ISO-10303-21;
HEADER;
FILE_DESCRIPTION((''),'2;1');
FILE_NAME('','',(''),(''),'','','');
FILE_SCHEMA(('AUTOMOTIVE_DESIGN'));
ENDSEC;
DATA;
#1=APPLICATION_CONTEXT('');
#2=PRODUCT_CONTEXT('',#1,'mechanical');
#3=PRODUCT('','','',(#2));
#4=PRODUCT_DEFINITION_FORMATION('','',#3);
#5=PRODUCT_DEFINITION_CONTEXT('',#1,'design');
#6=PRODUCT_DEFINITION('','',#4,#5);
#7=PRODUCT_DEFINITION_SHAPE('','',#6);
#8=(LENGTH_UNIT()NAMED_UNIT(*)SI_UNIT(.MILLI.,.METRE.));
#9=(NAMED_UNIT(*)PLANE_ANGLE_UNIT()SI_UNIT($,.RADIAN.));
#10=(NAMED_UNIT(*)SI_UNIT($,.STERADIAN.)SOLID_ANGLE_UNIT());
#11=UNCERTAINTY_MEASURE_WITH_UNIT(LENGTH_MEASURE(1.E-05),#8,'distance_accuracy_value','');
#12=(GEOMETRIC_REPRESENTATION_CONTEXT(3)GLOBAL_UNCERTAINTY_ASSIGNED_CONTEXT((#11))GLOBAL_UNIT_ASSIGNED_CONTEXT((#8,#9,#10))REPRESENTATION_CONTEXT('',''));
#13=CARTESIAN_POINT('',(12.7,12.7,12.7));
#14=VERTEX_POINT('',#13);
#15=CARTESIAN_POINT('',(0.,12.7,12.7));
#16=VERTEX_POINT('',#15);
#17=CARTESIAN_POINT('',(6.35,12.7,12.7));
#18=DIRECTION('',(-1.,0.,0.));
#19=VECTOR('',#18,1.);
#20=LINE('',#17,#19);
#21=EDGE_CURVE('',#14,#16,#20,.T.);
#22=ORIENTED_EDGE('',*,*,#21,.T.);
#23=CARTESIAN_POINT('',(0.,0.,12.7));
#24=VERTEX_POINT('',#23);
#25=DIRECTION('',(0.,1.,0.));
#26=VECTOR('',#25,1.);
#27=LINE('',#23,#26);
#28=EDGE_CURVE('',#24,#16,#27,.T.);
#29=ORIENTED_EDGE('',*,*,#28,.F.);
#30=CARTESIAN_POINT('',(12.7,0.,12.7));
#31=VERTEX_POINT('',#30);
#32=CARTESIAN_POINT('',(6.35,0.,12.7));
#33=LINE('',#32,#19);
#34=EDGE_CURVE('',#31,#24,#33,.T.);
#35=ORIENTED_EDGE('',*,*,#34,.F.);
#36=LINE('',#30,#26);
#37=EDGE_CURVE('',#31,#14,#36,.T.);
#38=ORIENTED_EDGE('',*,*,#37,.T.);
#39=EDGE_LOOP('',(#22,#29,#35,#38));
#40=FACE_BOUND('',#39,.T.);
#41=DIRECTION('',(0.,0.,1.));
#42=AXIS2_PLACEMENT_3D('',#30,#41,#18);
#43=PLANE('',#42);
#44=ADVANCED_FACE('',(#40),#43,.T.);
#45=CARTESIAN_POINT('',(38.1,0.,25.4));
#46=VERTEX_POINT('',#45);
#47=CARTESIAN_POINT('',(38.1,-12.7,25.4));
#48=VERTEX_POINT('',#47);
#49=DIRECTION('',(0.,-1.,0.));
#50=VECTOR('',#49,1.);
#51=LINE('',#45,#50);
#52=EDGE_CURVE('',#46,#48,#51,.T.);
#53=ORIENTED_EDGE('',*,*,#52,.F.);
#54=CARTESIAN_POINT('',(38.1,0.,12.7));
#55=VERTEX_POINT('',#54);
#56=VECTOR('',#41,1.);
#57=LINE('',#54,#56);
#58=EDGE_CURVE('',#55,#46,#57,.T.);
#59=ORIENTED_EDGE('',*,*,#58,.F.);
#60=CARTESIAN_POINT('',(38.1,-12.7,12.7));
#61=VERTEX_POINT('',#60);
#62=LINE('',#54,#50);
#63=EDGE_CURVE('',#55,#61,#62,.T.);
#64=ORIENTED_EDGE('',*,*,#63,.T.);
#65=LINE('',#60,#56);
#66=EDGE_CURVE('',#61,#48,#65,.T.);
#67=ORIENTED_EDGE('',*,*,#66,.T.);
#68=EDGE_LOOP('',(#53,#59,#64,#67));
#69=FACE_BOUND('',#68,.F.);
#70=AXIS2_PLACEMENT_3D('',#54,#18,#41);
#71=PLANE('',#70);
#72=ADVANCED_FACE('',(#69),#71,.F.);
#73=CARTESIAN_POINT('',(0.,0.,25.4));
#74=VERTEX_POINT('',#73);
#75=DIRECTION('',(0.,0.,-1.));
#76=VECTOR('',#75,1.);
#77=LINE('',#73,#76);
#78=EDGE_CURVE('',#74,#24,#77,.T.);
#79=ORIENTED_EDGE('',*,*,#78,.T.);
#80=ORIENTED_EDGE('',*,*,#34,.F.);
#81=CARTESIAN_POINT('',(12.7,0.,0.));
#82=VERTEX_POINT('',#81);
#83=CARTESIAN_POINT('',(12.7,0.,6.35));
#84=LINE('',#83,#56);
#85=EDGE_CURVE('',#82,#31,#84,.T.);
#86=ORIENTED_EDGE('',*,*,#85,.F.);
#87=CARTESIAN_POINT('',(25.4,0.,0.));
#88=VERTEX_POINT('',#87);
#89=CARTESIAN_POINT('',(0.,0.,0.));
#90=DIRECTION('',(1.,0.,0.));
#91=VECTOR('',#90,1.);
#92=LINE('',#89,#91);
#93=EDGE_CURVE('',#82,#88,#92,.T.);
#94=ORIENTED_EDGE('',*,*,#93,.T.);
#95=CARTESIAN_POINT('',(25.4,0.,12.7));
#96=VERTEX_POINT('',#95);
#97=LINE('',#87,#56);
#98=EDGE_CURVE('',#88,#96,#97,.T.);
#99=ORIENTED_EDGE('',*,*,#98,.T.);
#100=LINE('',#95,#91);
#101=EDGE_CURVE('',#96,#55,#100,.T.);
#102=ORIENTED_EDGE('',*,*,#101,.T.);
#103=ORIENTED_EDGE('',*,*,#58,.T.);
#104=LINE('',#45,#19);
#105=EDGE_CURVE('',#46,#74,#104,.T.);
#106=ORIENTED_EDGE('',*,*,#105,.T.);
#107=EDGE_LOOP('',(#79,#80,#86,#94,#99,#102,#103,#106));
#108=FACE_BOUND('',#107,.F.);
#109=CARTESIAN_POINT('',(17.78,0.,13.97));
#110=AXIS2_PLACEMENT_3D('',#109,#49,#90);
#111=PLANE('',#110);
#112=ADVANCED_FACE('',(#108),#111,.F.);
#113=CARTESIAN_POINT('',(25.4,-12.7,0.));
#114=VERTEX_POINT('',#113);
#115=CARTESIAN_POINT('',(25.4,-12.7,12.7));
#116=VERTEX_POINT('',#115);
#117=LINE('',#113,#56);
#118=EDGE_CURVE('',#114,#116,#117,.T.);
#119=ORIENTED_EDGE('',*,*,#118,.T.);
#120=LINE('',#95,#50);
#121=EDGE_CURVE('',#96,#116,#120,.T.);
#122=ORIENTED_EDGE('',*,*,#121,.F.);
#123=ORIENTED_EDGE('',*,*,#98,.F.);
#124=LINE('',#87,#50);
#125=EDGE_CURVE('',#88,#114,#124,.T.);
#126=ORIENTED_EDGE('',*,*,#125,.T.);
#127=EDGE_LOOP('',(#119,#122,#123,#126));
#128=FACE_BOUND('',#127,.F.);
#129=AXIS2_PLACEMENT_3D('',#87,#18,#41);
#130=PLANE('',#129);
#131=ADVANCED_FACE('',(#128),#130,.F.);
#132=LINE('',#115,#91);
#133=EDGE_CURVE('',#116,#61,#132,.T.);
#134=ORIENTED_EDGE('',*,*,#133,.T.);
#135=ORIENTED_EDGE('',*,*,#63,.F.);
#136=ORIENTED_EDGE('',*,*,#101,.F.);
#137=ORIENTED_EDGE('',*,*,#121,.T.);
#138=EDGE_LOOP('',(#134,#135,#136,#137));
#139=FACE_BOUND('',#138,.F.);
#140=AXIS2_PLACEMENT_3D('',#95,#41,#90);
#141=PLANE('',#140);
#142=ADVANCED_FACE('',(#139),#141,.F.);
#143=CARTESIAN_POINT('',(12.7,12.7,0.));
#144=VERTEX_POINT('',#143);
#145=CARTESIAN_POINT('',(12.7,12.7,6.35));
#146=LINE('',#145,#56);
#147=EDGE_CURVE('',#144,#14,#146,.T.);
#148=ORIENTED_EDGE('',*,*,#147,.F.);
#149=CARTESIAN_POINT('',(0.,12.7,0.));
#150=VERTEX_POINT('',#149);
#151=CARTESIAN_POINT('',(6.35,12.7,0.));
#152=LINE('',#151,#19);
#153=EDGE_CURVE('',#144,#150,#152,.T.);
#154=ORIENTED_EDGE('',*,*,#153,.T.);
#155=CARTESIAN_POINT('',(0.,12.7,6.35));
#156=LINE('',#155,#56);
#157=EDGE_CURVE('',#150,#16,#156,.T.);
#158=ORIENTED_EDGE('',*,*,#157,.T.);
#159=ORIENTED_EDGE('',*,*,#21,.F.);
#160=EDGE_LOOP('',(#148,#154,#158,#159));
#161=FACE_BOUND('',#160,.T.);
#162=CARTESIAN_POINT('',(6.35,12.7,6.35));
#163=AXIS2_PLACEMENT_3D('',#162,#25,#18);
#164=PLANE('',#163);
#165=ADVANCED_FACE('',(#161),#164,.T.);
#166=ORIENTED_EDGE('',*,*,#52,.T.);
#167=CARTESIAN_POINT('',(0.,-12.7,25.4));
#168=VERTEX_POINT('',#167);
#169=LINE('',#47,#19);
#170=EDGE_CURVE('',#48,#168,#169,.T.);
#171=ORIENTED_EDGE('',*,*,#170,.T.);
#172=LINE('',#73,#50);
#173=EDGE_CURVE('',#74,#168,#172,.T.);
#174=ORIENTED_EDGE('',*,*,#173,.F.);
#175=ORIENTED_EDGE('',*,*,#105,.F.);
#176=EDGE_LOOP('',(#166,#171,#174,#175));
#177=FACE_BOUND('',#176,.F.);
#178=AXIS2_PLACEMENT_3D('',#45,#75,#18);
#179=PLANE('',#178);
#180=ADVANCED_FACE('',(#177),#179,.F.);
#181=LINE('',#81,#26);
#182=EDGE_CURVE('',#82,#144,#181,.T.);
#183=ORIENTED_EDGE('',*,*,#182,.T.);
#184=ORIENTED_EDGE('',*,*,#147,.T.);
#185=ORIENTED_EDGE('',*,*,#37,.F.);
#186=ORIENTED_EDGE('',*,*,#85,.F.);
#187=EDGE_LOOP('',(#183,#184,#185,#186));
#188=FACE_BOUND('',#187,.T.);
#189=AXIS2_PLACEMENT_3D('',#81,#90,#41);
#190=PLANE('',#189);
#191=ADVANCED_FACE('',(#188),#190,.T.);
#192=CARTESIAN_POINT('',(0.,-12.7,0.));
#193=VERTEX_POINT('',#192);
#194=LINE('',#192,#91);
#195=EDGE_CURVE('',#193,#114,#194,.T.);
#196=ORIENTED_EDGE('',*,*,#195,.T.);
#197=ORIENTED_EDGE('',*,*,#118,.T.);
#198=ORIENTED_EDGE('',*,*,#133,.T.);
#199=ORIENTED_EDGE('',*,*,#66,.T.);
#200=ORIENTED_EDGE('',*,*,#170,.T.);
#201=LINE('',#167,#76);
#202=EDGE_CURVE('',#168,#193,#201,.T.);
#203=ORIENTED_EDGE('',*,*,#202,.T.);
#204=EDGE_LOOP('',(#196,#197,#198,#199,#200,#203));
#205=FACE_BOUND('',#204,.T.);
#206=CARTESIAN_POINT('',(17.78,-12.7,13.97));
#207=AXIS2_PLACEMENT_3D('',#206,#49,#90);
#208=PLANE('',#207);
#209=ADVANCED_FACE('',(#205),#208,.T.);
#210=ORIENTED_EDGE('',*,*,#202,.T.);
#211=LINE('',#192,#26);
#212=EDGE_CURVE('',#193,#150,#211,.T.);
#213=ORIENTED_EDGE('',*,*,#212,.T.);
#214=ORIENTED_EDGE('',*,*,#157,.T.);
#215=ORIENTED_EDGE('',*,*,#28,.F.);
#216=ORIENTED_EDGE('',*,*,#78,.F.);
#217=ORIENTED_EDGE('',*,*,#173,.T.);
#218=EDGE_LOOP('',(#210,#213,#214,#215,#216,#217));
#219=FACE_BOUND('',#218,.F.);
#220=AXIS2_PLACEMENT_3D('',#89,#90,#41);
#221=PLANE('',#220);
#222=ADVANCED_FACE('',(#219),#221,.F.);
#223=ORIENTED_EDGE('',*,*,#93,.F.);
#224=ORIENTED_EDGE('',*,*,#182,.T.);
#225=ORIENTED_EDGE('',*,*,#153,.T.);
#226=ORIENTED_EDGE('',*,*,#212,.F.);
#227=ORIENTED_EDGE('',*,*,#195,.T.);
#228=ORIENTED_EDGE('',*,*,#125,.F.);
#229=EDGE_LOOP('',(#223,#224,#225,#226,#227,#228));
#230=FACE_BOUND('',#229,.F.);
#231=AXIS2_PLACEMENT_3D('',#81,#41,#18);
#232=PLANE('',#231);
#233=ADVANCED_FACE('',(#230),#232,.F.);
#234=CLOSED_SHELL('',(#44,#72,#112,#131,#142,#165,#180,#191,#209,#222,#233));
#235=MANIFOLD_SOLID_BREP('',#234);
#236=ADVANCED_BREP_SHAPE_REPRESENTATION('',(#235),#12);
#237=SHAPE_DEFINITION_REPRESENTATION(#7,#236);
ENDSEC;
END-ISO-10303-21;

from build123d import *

# Parameters (mm, degrees)
F1_DEPTH = 12.7
F2_W     = 12.7
F2_H     = 12.7
F3_DEPTH = 12.7


with BuildPart() as f1:
    # F0 (on Front) → F1 (new body)
    with BuildSketch(Plane.XZ):
        Polygon((0, 25.4), (0, 0), (25.4, 0), (25.4, 12.7), (38.1, 12.7), (38.1, 25.4), align=None)
    extrude(amount=F1_DEPTH)

    # F2 (on face) → F3 (join)
    with BuildSketch(Plane(origin=(0, 0, 0), x_dir=(-1, 0, 0), z_dir=(0, 1, 0))):
        with Locations((-6.35, 6.35)):
            Rectangle(F2_W, F2_H)
    extrude(amount=F3_DEPTH)


solid = f1.part
